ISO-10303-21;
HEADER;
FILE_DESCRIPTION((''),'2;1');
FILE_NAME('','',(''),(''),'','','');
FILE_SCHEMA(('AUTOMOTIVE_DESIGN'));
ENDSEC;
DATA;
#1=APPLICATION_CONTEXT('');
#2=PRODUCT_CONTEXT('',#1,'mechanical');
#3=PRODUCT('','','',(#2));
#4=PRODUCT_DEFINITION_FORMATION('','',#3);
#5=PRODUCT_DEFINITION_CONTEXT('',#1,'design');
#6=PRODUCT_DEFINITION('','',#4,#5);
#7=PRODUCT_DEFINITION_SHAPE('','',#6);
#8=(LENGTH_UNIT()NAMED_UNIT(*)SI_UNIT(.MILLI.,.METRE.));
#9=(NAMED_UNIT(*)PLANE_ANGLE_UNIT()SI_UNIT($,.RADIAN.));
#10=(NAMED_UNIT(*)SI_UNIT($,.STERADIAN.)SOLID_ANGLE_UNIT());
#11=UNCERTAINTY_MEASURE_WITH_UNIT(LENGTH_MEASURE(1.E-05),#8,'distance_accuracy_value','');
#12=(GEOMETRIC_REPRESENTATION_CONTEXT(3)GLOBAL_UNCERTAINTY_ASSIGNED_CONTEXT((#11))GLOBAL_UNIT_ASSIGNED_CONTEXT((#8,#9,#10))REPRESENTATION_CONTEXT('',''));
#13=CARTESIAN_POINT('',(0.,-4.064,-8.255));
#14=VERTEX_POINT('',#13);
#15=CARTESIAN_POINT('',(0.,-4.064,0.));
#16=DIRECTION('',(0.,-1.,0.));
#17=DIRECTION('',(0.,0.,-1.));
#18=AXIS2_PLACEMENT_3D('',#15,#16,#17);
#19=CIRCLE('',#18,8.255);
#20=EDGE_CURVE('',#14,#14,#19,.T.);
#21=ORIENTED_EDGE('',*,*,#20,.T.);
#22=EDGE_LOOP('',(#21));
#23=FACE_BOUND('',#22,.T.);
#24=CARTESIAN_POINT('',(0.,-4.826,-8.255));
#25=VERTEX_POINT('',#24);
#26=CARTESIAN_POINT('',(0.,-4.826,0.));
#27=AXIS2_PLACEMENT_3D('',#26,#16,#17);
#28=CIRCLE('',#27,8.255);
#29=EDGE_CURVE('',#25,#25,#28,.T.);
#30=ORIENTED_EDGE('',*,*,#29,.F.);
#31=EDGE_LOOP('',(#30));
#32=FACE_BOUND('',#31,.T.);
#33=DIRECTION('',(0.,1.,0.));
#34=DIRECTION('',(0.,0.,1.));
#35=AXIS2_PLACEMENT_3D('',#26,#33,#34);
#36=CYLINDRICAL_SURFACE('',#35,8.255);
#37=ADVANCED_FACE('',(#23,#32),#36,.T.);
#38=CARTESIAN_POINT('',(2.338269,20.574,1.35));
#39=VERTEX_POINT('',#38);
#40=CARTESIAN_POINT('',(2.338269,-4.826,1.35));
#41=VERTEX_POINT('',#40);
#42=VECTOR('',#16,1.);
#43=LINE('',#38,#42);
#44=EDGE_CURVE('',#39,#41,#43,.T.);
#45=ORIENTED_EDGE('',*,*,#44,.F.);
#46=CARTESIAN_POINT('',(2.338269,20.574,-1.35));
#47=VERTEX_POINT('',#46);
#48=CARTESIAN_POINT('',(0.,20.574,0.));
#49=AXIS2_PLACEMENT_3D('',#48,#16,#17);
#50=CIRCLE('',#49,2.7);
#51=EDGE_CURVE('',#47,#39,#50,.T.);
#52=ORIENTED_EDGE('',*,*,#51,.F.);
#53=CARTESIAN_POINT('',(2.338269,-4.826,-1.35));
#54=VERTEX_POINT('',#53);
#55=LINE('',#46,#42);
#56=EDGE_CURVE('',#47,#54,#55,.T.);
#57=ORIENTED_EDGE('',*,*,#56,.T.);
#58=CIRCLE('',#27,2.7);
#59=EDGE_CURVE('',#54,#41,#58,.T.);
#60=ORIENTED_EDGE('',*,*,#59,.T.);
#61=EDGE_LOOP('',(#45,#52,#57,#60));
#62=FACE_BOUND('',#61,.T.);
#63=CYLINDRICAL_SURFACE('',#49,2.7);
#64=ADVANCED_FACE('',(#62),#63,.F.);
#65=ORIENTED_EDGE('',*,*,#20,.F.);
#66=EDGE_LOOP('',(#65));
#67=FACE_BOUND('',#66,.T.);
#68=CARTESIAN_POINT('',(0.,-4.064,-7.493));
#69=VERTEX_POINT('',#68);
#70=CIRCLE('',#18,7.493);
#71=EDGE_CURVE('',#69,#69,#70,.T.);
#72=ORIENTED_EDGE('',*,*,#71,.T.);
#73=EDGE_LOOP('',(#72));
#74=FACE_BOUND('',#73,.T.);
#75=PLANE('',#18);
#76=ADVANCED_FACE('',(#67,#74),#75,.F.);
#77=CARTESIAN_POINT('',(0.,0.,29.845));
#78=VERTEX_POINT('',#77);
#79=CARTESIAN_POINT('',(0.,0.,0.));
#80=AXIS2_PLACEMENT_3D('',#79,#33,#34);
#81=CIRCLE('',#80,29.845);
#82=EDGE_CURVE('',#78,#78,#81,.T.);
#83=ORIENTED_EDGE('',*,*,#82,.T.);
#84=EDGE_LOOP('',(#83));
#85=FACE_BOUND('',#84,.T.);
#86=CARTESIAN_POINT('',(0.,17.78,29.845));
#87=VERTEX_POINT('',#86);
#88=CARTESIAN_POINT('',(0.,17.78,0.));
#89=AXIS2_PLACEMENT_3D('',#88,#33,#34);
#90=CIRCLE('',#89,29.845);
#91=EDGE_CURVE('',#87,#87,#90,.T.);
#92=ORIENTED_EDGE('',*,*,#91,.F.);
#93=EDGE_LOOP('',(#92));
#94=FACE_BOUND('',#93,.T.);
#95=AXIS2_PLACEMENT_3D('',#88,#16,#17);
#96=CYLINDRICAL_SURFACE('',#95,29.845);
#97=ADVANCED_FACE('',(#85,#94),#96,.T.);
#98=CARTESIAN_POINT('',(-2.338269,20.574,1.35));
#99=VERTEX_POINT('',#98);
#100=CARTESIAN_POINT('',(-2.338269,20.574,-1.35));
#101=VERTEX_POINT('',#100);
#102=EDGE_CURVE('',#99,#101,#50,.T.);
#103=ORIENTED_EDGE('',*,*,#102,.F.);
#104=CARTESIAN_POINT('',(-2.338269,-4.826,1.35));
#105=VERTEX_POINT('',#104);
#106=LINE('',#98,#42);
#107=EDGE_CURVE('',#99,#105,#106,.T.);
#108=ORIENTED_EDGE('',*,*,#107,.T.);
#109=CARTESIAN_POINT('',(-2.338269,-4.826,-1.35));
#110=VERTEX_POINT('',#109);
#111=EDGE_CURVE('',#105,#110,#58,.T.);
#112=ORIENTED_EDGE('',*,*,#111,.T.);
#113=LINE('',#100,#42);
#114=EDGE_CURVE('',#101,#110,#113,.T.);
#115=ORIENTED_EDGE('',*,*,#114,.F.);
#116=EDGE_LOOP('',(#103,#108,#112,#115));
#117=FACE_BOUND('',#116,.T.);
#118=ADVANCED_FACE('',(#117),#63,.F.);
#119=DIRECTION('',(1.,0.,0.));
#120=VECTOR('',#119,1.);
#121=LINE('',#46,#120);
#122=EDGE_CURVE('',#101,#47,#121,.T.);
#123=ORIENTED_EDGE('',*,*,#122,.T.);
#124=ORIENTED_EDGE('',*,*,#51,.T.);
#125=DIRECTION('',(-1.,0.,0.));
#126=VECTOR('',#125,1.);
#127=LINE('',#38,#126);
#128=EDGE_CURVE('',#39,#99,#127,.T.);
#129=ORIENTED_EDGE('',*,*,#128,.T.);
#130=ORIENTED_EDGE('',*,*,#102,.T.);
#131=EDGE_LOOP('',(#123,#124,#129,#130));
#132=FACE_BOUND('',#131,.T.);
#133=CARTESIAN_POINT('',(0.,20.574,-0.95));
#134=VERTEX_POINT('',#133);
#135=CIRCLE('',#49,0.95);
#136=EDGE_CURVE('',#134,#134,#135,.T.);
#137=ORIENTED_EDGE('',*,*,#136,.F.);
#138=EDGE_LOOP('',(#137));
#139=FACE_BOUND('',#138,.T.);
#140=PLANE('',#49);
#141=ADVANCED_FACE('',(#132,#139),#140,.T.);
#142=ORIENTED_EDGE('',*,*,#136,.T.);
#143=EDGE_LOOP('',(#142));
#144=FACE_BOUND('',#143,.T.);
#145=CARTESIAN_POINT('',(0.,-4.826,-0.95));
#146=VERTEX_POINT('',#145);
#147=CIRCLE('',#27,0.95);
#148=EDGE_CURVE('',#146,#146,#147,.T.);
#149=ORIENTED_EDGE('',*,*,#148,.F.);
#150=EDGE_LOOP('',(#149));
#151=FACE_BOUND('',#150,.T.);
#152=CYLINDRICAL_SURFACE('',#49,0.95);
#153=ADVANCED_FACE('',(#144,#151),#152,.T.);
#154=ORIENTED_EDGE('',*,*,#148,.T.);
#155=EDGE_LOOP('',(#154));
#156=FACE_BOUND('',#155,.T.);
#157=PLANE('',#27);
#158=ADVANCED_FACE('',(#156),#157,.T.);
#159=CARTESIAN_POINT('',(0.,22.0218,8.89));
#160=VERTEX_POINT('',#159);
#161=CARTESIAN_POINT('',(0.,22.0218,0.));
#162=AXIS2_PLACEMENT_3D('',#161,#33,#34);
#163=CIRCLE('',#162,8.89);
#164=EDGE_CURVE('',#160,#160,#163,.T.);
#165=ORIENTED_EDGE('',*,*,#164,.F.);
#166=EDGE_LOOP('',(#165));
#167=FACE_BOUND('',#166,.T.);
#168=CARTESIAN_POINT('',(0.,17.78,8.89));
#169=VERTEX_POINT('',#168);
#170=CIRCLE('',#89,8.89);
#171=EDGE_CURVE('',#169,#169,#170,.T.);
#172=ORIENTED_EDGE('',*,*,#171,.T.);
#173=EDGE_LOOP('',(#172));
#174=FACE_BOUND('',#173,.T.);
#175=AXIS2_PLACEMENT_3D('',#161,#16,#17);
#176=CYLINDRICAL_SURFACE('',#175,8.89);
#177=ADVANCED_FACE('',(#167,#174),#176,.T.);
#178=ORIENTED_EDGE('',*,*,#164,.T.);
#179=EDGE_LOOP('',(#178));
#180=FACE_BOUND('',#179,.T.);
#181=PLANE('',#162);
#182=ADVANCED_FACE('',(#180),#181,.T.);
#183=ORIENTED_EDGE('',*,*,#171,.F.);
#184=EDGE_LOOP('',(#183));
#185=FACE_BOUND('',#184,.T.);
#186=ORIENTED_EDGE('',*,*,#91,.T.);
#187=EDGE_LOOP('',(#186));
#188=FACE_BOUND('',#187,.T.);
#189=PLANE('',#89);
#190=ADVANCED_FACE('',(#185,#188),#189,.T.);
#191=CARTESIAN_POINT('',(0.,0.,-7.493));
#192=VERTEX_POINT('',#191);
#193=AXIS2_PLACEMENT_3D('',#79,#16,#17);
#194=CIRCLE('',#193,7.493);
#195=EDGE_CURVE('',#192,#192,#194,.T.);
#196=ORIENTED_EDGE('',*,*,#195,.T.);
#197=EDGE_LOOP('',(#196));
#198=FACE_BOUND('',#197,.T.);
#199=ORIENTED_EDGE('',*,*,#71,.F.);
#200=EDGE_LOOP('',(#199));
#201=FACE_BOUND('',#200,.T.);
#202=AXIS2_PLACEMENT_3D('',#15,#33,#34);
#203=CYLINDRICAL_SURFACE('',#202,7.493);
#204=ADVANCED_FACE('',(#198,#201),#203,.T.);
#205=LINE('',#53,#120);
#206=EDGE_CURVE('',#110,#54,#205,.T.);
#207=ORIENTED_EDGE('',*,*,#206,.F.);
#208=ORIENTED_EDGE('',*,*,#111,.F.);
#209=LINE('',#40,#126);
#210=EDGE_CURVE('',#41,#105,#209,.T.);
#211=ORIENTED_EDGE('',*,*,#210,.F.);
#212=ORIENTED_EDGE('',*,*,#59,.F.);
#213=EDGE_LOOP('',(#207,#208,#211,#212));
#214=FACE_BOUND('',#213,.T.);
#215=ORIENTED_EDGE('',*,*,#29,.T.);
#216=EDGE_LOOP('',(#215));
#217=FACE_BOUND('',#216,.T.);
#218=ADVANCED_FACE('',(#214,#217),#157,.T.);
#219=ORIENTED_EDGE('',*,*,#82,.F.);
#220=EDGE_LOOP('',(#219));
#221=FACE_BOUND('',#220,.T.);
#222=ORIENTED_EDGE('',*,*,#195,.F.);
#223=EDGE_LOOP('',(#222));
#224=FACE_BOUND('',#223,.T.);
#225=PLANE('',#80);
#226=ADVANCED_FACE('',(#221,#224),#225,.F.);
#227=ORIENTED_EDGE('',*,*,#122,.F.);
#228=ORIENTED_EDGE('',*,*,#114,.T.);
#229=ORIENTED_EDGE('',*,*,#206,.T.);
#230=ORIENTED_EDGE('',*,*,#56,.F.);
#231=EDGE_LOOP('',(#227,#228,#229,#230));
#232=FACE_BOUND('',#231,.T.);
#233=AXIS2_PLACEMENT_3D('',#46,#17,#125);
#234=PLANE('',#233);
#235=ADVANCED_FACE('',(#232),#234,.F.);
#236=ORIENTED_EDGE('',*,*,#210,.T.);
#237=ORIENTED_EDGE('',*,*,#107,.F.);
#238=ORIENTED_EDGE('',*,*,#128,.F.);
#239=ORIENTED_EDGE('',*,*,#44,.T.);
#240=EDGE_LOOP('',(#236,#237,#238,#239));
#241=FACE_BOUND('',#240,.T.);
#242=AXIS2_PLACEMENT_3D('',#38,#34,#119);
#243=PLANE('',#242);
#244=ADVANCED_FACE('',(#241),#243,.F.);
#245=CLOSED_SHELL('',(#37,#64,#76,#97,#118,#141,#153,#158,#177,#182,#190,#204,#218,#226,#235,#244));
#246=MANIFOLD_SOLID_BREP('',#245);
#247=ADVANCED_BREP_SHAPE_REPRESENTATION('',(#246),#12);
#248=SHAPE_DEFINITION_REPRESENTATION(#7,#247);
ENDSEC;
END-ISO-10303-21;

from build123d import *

# Parameters (mm, degrees)
SKETCH1_R           = 29.845
BOSS_EXTRUDE1_DEPTH = 17.78
SKETCH2_R           = 8.89
BOSS_EXTRUDE2_DEPTH = 4.2418
SKETCH3_R           = 7.493
BOSS_EXTRUDE3_DEPTH = 4.064
SKETCH4_R           = 8.255
BOSS_EXTRUDE4_DEPTH = 0.762
SKETCH6_R           = 0.95
CUT_EXTRUDE1_DEPTH  = 25.4


with BuildPart() as part:
    # Sketch1 → Boss-Extrude1 (new body)
    with BuildSketch(Plane(origin=(0, 0, 0), x_dir=(1, 0, 0), z_dir=(0, 1, 0))):
        Circle(SKETCH1_R)
    extrude(amount=BOSS_EXTRUDE1_DEPTH)

    # Sketch2 → Boss-Extrude2 (add)
    with BuildSketch(Plane(origin=(0, 17.78, 0), x_dir=(1, 0, 0), z_dir=(0, 1, 0))):
        Circle(SKETCH2_R)
    extrude(amount=BOSS_EXTRUDE2_DEPTH)

    # Sketch3 → Boss-Extrude3 (add)
    with BuildSketch(Plane(origin=(0, 0, 0), x_dir=(-1, 0, 0), z_dir=(0, -1, 0))):
        Circle(SKETCH3_R)
    extrude(amount=BOSS_EXTRUDE3_DEPTH)

    # Sketch4 → Boss-Extrude4 (add)
    with BuildSketch(Plane.XZ.offset(4.064)):
        Circle(SKETCH4_R)
    extrude(amount=BOSS_EXTRUDE4_DEPTH)

    # Sketch6 → Cut-Extrude1 (cut)
    with BuildSketch(Plane(origin=(0, -4.826, 0), x_dir=(-1, 0, 0), z_dir=(0, -1, 0))):
        with BuildLine():
            Line((-2.33826859, -1.35), (2.33826859, -1.35))
            ThreePointArc((2.33826859, -1.35), (2.7, 0), (2.33826859, 1.35))
            Line((2.33826859, 1.35), (-2.33826859, 1.35))
            ThreePointArc((-2.33826859, 1.35), (-2.7, 0), (-2.33826859, -1.35))
        make_face()
        Circle(SKETCH6_R, mode=Mode.SUBTRACT)
    extrude(amount=-CUT_EXTRUDE1_DEPTH, mode=Mode.SUBTRACT)


solid = part.part
